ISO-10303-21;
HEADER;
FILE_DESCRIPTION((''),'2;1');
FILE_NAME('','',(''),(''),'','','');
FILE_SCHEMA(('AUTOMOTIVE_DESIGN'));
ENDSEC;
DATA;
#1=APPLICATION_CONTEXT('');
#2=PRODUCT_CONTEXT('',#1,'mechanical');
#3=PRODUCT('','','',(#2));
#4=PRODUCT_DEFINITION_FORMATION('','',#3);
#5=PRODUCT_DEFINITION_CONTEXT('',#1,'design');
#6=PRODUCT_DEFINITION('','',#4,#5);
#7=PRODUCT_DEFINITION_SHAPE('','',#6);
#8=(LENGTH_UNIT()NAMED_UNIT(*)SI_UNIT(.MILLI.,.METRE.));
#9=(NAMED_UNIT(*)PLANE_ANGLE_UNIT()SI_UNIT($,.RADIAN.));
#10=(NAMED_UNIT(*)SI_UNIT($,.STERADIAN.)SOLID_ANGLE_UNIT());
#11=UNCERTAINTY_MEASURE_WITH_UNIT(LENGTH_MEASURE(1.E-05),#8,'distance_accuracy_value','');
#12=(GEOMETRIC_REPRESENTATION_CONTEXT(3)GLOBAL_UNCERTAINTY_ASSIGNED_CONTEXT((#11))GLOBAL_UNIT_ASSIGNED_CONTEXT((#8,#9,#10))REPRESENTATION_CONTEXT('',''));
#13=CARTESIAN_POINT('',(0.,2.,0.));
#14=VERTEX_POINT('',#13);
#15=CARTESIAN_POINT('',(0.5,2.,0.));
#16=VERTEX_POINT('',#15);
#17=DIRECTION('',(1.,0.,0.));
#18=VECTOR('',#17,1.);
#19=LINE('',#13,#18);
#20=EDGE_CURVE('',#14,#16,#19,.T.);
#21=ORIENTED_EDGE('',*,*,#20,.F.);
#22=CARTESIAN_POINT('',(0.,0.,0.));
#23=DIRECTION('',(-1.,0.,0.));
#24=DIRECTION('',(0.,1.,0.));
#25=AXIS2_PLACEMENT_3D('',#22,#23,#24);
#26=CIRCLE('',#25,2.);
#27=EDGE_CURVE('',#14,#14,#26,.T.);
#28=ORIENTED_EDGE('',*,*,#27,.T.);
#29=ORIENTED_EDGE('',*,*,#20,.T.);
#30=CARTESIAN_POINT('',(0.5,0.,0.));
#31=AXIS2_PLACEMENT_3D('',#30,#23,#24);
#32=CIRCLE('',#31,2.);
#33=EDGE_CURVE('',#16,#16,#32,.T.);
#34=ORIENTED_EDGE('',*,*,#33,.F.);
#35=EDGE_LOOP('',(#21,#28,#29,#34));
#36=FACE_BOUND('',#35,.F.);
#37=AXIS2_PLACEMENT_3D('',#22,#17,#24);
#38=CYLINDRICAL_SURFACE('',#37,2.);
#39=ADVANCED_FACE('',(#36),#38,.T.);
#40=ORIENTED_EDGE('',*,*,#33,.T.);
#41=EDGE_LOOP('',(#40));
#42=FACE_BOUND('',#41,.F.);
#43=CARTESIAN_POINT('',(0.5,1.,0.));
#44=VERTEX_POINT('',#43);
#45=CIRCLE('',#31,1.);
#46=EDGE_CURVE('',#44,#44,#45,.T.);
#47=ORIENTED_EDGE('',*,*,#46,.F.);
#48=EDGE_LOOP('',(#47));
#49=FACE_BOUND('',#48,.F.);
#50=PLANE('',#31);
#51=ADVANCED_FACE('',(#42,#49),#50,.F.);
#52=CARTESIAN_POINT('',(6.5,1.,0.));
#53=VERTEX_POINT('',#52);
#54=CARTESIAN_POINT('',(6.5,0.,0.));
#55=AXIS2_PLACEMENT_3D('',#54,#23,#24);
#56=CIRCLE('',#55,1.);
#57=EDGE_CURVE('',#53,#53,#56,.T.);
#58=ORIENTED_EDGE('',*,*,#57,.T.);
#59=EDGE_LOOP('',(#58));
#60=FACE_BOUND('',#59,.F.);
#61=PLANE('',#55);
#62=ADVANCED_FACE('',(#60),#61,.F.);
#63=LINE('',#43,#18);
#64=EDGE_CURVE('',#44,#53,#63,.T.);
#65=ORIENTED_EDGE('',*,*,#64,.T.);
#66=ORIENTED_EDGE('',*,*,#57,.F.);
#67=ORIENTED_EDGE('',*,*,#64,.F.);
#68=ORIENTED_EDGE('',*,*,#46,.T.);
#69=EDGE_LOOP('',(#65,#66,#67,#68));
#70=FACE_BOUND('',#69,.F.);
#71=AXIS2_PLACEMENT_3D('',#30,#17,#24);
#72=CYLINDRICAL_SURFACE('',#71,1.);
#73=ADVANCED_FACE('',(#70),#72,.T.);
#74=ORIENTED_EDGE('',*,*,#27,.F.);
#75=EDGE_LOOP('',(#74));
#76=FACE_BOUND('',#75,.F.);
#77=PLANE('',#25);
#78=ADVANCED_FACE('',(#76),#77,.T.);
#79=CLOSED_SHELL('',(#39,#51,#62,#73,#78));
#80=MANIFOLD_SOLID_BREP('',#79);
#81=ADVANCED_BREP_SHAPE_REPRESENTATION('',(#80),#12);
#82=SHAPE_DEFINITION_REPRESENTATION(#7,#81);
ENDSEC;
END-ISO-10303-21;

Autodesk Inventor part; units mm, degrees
ref_plane "YZ Plane" through (0, 0, 0) normal (1, 0, 0) x (0, 1, 0)
ref_plane "XZ Plane" through (0, 0, 0) normal (0, 1, 0) x (-1, 0, 0)
ref_plane "XY Plane" through (0, 0, 0) normal (0, 0, 1) x (1, 0, 0)
sketch "スケッチ1" plane through (0, 0, 0) normal (0, 0, 1) x (1, 0, 0)
  line L0 (0, 0) -> (0, 2)
  line L1 (0, 2) -> (0.5, 2)
  line L2 (0.5, 2) -> (0.5, 1)
  line L3 (0.5, 1) -> (6.5, 1)
  line L4 (6.5, 1) -> (6.5, 0)
  line L5 (6.5, 0) -> (0, 0)
  dimension "d0" = 0.5
  dimension "d1" = 6
  dimension "d2" = 2
  dimension "d3" = 1
revolve "回転1" add sketch "スケッチ1" angle 360 about axis through (6.5, 0, 0) along (-1, 0, 0)
properties part number "M2_L10" material "鋼"
